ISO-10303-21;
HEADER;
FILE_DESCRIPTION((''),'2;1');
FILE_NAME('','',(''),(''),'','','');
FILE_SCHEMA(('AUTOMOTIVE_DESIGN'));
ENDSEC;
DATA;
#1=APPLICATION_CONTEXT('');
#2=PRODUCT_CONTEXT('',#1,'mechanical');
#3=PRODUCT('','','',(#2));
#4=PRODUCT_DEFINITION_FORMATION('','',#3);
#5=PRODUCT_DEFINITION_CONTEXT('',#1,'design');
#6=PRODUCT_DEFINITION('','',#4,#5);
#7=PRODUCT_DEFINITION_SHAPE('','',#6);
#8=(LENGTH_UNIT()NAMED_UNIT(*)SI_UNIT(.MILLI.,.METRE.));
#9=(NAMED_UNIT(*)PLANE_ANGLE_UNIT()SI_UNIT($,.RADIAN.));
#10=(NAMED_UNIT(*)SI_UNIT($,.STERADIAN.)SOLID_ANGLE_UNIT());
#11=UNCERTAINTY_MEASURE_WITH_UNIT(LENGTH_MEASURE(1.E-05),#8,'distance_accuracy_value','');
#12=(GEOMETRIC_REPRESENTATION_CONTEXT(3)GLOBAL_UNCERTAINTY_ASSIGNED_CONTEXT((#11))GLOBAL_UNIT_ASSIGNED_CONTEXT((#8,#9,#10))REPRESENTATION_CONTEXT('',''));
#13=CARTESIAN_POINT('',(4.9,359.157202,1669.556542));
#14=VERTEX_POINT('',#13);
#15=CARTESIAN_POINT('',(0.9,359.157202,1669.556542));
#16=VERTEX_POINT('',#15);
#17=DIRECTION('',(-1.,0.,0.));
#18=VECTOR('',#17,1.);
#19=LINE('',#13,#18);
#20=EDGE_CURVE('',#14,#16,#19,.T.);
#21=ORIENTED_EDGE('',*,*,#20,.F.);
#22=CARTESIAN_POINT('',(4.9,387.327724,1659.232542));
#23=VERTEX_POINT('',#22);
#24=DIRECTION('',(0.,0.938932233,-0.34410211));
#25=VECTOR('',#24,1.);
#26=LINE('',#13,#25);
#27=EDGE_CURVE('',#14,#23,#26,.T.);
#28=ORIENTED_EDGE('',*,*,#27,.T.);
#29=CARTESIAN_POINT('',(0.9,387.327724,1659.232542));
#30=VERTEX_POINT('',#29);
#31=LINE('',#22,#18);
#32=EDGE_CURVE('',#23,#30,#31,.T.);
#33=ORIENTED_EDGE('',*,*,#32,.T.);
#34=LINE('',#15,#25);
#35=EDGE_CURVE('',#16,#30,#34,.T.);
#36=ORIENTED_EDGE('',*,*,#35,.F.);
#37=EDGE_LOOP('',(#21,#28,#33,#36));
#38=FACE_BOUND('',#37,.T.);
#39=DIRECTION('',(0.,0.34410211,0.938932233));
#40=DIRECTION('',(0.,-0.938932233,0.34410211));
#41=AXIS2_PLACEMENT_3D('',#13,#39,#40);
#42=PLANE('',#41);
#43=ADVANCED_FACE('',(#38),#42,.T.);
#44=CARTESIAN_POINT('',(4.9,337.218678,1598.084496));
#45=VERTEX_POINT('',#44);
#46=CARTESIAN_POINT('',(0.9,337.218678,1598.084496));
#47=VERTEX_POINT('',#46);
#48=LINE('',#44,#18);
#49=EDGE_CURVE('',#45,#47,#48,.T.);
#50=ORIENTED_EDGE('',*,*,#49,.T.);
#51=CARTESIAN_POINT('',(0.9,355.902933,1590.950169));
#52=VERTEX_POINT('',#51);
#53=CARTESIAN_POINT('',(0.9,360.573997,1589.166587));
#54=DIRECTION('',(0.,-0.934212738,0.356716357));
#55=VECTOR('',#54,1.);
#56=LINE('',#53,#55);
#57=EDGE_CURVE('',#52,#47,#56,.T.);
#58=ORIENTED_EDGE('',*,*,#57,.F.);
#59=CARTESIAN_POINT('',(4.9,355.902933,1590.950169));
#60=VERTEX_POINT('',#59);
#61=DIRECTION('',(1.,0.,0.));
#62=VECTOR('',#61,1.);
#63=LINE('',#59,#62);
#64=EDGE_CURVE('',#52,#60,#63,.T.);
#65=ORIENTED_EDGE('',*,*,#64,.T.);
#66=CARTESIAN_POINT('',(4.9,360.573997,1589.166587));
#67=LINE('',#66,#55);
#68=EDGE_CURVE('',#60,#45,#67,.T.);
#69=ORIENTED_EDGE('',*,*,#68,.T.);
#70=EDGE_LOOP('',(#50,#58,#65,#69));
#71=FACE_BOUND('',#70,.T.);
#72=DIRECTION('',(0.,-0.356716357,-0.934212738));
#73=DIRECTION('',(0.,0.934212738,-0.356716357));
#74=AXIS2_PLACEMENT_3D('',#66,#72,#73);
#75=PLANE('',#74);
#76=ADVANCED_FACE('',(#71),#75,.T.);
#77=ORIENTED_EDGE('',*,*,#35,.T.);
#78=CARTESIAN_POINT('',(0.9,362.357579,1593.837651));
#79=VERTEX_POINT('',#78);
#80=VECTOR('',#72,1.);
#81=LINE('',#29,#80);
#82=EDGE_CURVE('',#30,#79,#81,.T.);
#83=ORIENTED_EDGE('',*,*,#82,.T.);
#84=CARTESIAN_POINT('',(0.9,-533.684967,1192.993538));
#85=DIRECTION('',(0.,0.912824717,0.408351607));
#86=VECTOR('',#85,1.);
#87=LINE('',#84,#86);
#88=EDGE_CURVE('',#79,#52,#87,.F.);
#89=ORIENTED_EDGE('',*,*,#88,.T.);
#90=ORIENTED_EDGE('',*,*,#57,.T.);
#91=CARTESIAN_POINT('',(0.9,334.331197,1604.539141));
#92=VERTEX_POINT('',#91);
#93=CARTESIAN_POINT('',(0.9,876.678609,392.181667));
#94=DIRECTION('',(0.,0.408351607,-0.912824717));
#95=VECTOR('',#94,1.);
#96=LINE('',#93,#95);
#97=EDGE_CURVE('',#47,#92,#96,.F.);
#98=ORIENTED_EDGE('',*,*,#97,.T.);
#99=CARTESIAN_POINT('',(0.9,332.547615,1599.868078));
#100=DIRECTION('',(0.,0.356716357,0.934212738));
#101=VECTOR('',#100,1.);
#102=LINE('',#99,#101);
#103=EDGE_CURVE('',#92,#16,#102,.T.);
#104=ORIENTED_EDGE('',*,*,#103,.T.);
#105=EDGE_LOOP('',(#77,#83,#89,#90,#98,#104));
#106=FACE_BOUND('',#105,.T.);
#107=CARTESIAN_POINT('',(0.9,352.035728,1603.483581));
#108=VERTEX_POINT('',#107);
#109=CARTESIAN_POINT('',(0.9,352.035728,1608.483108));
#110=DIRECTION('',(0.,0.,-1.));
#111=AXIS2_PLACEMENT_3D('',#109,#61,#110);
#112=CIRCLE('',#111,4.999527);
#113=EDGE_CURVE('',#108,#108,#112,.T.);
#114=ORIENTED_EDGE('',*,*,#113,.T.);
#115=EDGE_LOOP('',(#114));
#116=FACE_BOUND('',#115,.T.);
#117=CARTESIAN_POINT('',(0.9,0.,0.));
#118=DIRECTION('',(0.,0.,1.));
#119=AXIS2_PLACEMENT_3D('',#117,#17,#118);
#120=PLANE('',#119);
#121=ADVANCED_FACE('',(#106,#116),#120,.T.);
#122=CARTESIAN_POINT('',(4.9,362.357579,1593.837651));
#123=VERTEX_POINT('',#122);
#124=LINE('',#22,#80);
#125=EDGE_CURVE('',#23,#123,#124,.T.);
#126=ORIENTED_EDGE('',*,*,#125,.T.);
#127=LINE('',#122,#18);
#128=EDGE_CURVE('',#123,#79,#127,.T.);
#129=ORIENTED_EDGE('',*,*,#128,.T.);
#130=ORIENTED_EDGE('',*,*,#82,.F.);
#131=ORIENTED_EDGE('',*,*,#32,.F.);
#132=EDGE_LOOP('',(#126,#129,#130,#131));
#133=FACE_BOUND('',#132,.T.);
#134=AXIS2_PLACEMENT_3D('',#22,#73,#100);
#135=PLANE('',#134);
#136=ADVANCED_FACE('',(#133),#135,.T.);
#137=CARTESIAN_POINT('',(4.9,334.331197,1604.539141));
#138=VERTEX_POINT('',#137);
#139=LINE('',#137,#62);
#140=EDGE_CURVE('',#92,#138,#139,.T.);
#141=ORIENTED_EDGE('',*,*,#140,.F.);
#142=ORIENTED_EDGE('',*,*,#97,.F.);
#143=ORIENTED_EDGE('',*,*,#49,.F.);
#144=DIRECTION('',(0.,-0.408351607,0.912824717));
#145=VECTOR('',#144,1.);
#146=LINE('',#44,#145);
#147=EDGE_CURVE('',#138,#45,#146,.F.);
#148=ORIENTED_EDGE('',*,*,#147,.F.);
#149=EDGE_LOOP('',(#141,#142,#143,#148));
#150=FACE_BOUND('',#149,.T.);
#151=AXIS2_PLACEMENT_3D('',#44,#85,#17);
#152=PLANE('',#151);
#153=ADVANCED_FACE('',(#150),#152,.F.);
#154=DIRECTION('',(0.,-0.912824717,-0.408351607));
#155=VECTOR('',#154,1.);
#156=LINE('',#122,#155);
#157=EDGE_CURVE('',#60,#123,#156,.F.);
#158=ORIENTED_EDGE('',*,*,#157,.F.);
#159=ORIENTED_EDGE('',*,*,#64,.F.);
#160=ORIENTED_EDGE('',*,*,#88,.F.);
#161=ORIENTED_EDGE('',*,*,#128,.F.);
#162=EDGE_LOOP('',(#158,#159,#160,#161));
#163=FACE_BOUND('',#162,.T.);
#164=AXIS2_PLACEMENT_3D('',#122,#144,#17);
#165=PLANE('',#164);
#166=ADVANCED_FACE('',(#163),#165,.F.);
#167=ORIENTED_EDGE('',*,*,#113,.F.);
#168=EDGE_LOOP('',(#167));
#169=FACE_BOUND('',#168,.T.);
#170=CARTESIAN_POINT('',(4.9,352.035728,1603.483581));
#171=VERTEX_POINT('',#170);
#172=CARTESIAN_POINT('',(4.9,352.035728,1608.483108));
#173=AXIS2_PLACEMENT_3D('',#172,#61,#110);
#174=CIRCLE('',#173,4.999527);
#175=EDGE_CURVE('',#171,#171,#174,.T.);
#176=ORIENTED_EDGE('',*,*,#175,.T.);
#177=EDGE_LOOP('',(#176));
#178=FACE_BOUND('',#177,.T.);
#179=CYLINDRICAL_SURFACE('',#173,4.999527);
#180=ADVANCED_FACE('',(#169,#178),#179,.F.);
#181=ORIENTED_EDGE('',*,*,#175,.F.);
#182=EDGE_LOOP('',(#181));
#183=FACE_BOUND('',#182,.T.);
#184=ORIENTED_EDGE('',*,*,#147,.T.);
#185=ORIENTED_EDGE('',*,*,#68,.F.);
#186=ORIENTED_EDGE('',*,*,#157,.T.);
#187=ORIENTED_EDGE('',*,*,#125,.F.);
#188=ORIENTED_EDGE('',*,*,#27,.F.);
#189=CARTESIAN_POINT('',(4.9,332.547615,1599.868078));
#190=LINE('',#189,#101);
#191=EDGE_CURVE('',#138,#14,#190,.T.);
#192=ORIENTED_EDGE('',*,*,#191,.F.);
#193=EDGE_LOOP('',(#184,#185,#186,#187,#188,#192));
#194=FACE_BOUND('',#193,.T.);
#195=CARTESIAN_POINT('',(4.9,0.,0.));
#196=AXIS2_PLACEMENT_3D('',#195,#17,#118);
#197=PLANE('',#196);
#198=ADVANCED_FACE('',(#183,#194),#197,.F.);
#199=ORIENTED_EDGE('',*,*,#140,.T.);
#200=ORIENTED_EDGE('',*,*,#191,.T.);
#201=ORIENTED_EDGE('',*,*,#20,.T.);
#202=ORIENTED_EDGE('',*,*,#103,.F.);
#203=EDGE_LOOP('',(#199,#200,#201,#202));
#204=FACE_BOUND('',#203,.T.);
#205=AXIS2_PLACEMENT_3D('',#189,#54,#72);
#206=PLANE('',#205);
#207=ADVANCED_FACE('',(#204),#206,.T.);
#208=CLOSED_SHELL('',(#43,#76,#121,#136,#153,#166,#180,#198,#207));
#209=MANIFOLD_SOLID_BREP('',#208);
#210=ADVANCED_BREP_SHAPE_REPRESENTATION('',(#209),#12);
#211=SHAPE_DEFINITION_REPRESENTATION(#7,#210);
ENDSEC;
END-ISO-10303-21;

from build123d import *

# Parameters (mm, degrees)
BOSS_EXTRUDE1_DEPTH  = 4
M8_CLEARANCE_HOLE1_D = 9.999053744
CHAMFER1_SIZE        = 5


with BuildPart() as part:
    # Sketch1 → Boss-Extrude1 (new body)
    with BuildSketch(Plane(origin=(0.900000083, 0, 0), x_dir=(0, -1, 0), z_dir=(-1, 0, 0))):
        Polygon((-360.573996926, 1589.166586834), (-332.547614774, 1599.868077547), (-359.157201755, 1669.556541862), (-387.327723707, 1659.232542214), align=None)
    extrude(amount=-BOSS_EXTRUDE1_DEPTH)

    # M8 Clearance Hole1 (through all)
    with Locations(Plane(origin=(4.900000083, 0, 0), x_dir=(0, 0, -1), z_dir=(1, 0, 0))):
        with Locations((-1608.483107892, 352.03572843)):
            Hole(M8_CLEARANCE_HOLE1_D / 2)

    # Chamfer1
    chamfer1_edges = [part.edges().sort_by_distance(p)[0] for p in [
        (2.900000083, 332.547614774, 1599.868077547),
        (2.900000083, 360.573996926, 1589.166586834),
    ]]
    chamfer(chamfer1_edges, length=CHAMFER1_SIZE)


solid = part.part
